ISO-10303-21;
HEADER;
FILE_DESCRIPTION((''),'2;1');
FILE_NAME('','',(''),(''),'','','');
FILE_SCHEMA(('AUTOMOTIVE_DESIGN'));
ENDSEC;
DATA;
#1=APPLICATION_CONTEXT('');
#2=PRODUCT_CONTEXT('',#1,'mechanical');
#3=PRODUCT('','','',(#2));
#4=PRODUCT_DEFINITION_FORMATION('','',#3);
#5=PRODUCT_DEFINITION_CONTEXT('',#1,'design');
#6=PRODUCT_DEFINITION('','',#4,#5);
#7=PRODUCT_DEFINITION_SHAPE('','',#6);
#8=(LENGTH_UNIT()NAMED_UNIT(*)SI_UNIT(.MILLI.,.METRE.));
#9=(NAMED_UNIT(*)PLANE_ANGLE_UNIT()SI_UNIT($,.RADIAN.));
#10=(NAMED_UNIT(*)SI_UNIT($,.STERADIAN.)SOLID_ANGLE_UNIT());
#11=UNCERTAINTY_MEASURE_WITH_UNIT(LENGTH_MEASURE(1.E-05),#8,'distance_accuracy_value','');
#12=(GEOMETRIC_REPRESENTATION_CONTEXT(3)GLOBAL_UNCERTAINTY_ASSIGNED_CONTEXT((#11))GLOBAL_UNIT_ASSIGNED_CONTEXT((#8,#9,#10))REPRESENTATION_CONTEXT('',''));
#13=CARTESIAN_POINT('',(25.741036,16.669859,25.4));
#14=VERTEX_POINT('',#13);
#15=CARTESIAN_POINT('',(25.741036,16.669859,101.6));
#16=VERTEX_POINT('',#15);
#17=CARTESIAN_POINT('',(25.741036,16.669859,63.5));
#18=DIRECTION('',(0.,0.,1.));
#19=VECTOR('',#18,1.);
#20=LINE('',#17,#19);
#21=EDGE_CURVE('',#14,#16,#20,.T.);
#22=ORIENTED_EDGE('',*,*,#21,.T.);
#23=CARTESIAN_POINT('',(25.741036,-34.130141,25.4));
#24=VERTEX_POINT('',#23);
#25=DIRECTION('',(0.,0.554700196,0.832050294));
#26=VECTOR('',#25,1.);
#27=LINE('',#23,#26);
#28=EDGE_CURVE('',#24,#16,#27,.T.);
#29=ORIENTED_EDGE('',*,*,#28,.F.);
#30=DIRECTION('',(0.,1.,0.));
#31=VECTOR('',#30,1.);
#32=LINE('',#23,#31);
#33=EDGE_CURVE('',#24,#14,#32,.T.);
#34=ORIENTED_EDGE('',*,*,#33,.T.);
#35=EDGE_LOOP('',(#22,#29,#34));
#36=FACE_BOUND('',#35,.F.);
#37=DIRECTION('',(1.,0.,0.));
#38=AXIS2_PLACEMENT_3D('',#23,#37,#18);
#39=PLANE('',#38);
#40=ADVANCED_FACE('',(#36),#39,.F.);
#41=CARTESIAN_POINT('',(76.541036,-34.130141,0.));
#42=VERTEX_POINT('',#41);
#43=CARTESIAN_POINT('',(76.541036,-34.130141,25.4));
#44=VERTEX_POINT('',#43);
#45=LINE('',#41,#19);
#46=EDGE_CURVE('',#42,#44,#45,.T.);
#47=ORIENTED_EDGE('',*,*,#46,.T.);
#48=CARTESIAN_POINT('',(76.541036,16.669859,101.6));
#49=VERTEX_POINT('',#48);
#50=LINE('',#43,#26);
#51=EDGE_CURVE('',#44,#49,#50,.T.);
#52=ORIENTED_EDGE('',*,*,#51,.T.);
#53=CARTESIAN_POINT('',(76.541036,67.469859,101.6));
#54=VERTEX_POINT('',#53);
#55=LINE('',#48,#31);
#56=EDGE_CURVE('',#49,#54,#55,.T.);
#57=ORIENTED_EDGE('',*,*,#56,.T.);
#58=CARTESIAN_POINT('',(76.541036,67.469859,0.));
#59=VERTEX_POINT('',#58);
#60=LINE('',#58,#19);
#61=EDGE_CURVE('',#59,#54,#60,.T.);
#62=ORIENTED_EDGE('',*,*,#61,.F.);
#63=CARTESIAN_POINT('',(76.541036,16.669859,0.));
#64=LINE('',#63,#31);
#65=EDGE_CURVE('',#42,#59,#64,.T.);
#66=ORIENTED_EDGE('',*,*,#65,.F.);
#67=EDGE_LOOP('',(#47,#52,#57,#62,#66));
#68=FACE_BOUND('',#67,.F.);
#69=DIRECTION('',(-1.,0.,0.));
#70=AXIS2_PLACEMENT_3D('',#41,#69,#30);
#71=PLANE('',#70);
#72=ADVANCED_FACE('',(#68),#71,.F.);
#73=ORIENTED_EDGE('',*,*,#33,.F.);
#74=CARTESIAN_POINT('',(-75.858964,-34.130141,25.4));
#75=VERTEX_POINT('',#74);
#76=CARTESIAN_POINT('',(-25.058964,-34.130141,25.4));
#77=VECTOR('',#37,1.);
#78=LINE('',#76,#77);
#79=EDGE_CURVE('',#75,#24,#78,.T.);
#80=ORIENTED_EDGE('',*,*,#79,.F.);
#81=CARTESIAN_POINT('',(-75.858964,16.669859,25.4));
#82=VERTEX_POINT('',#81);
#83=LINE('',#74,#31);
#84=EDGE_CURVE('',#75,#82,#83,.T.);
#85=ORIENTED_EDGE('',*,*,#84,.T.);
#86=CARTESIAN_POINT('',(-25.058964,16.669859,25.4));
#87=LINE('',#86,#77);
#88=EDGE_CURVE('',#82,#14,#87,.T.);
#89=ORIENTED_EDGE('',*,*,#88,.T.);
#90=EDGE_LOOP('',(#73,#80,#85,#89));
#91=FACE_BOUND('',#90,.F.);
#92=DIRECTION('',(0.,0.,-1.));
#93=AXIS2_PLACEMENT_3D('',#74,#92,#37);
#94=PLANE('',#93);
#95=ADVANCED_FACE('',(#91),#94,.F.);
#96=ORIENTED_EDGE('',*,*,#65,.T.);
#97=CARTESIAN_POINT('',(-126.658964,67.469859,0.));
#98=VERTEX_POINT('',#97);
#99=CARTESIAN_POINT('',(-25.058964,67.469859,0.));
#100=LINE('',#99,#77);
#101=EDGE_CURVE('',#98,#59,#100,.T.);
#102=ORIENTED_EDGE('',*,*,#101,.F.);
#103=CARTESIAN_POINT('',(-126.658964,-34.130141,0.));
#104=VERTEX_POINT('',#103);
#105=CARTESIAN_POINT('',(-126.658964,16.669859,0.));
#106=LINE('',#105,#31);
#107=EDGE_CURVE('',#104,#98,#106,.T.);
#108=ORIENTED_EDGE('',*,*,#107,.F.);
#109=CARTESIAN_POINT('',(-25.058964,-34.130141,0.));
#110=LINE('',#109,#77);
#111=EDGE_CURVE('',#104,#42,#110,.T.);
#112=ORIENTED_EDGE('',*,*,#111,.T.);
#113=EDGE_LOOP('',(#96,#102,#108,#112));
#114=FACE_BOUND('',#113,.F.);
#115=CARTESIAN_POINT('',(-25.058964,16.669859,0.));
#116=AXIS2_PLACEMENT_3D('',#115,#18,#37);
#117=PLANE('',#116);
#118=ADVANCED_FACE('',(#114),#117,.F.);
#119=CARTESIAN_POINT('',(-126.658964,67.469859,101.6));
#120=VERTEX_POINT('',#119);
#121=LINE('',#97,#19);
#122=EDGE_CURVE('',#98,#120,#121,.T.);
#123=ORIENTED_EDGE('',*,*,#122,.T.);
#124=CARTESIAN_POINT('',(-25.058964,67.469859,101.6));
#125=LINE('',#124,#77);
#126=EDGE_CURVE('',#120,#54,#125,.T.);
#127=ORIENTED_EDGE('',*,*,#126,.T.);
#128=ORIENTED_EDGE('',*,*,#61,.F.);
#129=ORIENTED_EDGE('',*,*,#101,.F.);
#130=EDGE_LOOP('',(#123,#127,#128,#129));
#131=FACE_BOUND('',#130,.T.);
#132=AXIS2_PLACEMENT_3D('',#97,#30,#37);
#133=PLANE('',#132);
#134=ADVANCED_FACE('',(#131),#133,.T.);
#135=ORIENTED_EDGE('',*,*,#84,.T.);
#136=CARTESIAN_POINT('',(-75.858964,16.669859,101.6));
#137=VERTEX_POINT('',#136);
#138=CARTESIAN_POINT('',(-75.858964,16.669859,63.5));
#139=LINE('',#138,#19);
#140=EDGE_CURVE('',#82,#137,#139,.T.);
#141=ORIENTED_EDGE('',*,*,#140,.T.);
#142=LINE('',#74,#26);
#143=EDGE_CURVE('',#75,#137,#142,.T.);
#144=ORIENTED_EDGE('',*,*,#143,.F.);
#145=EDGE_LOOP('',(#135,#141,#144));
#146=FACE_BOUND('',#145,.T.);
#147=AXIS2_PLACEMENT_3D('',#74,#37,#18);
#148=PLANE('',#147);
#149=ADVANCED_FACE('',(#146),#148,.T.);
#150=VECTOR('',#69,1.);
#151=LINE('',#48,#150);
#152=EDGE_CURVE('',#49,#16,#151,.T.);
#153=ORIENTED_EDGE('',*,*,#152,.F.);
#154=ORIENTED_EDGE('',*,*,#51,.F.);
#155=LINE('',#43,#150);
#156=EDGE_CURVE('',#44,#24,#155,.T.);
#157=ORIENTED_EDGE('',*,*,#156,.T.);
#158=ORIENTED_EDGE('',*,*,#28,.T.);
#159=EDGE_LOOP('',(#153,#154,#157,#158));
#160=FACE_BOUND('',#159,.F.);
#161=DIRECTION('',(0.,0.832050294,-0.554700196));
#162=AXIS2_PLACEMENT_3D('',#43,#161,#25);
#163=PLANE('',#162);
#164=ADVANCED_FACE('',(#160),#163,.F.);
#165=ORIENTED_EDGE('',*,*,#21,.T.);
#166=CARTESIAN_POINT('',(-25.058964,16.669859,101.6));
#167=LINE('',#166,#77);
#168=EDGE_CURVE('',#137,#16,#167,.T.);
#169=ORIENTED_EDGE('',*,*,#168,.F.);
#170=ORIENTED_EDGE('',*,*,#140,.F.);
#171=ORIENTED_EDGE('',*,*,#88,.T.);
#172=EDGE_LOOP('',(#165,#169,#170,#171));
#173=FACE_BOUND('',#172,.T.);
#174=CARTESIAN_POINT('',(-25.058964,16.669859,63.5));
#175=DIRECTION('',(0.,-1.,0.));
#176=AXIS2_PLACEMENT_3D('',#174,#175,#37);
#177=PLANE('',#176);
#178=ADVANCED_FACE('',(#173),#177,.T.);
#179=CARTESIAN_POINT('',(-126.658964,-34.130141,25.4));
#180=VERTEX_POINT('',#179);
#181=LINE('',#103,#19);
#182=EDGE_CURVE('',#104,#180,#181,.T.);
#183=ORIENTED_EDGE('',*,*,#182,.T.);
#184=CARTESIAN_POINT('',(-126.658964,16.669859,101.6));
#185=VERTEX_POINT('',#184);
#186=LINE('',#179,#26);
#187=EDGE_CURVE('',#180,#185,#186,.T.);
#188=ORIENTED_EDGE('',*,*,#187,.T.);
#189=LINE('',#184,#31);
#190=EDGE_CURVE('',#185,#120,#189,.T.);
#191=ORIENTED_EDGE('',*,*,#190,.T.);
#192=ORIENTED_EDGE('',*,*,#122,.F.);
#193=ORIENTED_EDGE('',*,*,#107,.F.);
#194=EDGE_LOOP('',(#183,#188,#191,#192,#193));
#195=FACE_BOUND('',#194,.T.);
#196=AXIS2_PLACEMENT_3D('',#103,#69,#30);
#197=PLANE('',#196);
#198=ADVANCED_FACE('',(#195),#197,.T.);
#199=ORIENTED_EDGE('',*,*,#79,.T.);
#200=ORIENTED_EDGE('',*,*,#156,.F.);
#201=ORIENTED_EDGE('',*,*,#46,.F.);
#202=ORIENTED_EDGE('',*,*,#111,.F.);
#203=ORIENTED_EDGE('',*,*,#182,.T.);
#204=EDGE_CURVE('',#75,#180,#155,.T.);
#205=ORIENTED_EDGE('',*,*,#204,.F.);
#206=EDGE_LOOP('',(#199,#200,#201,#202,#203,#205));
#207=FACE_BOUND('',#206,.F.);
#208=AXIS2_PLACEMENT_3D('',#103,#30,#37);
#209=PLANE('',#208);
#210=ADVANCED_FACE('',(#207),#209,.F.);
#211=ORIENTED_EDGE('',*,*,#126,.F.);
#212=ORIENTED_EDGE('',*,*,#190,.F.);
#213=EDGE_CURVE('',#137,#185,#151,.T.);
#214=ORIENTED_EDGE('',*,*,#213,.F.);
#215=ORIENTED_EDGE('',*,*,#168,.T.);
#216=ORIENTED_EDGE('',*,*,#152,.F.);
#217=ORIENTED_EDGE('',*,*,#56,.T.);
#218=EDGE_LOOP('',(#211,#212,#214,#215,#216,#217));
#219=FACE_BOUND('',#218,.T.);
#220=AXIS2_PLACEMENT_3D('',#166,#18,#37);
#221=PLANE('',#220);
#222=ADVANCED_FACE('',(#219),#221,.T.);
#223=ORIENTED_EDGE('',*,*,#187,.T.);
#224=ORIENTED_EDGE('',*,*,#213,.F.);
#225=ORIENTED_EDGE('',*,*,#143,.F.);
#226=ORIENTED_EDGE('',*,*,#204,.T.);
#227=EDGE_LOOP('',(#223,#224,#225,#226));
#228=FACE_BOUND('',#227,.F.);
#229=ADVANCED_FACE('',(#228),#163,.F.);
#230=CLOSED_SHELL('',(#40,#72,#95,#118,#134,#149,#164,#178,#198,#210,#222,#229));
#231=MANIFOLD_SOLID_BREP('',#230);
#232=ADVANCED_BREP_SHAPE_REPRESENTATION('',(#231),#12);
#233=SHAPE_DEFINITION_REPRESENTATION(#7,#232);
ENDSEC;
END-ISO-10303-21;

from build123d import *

# Parameters (mm, degrees)
F0_W     = 203.2
F0_H     = 101.6
F1_DEPTH = 101.6
F2_W     = 101.6
F2_H     = 76.2
F3_DEPTH = 50.8
F5_DEPTH = 203.2


with BuildPart() as f1:
    # F0 (on Top) → F1 (new body)
    with BuildSketch(Plane.XY):
        with Locations((-25.058964, 16.669859)):
            Rectangle(F0_W, F0_H)
    extrude(amount=F1_DEPTH)

    # F2 (on face) → F3 (cut)
    with BuildSketch(Plane.XZ.offset(34.130141)):
        with Locations((-25.058964, 63.5)):
            Rectangle(F2_W, F2_H)
    extrude(amount=-F3_DEPTH, mode=Mode.SUBTRACT)

    # F4 (on face) → F5 (cut)
    with BuildSketch(Plane.YZ.offset(76.541036)):
        Polygon((-34.130141, 101.6), (-34.130141, 25.4), (16.669859, 101.6), align=None)
    extrude(amount=-F5_DEPTH, mode=Mode.SUBTRACT)


solid = f1.part
